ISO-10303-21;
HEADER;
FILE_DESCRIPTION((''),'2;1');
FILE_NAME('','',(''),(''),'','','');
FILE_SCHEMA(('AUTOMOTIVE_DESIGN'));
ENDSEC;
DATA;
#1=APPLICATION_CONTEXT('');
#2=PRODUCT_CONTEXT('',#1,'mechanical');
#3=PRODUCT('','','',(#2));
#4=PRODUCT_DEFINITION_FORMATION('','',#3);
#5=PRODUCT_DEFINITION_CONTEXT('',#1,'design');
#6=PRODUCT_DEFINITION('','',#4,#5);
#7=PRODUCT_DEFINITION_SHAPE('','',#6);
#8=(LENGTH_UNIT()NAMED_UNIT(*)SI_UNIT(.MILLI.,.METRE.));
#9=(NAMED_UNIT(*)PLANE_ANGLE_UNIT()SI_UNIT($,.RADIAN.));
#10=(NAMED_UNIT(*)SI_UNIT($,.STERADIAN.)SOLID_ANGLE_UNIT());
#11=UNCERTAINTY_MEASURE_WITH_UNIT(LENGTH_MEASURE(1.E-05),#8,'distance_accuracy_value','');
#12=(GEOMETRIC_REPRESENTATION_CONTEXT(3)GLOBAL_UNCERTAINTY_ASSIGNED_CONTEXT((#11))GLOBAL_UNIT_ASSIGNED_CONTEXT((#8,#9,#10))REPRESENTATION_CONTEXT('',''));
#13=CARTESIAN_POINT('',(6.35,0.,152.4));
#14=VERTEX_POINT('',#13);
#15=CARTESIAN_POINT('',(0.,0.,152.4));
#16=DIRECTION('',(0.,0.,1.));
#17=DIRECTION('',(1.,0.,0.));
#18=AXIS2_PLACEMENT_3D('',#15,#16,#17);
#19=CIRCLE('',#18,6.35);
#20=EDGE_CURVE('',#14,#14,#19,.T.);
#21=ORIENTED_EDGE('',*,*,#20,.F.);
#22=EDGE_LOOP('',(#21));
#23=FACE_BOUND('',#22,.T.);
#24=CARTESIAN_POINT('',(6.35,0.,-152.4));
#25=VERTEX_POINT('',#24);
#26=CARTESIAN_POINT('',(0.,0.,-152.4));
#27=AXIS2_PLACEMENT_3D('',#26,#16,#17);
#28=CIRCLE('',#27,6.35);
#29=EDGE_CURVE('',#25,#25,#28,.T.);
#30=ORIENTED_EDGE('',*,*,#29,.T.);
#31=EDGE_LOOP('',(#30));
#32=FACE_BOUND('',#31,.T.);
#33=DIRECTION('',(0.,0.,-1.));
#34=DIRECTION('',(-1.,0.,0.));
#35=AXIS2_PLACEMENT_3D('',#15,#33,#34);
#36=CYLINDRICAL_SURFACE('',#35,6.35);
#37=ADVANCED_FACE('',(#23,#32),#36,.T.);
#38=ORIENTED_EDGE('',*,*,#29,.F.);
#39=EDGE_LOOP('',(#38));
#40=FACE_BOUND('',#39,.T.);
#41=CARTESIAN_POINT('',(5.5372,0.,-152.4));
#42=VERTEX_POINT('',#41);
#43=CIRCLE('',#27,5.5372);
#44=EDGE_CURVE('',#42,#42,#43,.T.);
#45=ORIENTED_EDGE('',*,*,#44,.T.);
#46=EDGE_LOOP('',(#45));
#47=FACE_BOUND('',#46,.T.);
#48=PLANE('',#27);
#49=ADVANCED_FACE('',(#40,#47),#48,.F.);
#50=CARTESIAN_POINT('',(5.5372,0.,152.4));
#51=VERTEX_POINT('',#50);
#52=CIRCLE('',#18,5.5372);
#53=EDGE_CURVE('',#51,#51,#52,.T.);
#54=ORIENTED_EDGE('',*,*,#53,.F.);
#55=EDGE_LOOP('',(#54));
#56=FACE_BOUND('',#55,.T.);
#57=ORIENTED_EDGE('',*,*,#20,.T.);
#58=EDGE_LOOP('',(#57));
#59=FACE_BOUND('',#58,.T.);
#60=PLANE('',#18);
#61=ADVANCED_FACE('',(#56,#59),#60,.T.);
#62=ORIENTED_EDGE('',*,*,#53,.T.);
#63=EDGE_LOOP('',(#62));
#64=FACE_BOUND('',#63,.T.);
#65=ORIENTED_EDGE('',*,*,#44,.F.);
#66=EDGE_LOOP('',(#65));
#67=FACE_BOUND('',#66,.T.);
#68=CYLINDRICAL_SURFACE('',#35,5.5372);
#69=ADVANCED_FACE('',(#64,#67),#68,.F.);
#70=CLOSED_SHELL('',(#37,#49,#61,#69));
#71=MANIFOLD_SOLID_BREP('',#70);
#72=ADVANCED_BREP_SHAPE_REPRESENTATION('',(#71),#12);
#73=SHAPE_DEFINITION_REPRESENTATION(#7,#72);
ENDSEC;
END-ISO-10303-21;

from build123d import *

# Parameters (mm, degrees)
SKETCH2_R           = 6.35
SKETCH2_R_2         = 5.5372
BOSS_EXTRUDE1_DEPTH = 152.4


with BuildPart() as part:
    # Sketch2 → Boss-Extrude1 (new, symmetric)
    with BuildSketch(Plane.XY):
        Circle(SKETCH2_R)
        Circle(SKETCH2_R_2, mode=Mode.SUBTRACT)
    extrude(amount=BOSS_EXTRUDE1_DEPTH, both=True)


solid = part.part
